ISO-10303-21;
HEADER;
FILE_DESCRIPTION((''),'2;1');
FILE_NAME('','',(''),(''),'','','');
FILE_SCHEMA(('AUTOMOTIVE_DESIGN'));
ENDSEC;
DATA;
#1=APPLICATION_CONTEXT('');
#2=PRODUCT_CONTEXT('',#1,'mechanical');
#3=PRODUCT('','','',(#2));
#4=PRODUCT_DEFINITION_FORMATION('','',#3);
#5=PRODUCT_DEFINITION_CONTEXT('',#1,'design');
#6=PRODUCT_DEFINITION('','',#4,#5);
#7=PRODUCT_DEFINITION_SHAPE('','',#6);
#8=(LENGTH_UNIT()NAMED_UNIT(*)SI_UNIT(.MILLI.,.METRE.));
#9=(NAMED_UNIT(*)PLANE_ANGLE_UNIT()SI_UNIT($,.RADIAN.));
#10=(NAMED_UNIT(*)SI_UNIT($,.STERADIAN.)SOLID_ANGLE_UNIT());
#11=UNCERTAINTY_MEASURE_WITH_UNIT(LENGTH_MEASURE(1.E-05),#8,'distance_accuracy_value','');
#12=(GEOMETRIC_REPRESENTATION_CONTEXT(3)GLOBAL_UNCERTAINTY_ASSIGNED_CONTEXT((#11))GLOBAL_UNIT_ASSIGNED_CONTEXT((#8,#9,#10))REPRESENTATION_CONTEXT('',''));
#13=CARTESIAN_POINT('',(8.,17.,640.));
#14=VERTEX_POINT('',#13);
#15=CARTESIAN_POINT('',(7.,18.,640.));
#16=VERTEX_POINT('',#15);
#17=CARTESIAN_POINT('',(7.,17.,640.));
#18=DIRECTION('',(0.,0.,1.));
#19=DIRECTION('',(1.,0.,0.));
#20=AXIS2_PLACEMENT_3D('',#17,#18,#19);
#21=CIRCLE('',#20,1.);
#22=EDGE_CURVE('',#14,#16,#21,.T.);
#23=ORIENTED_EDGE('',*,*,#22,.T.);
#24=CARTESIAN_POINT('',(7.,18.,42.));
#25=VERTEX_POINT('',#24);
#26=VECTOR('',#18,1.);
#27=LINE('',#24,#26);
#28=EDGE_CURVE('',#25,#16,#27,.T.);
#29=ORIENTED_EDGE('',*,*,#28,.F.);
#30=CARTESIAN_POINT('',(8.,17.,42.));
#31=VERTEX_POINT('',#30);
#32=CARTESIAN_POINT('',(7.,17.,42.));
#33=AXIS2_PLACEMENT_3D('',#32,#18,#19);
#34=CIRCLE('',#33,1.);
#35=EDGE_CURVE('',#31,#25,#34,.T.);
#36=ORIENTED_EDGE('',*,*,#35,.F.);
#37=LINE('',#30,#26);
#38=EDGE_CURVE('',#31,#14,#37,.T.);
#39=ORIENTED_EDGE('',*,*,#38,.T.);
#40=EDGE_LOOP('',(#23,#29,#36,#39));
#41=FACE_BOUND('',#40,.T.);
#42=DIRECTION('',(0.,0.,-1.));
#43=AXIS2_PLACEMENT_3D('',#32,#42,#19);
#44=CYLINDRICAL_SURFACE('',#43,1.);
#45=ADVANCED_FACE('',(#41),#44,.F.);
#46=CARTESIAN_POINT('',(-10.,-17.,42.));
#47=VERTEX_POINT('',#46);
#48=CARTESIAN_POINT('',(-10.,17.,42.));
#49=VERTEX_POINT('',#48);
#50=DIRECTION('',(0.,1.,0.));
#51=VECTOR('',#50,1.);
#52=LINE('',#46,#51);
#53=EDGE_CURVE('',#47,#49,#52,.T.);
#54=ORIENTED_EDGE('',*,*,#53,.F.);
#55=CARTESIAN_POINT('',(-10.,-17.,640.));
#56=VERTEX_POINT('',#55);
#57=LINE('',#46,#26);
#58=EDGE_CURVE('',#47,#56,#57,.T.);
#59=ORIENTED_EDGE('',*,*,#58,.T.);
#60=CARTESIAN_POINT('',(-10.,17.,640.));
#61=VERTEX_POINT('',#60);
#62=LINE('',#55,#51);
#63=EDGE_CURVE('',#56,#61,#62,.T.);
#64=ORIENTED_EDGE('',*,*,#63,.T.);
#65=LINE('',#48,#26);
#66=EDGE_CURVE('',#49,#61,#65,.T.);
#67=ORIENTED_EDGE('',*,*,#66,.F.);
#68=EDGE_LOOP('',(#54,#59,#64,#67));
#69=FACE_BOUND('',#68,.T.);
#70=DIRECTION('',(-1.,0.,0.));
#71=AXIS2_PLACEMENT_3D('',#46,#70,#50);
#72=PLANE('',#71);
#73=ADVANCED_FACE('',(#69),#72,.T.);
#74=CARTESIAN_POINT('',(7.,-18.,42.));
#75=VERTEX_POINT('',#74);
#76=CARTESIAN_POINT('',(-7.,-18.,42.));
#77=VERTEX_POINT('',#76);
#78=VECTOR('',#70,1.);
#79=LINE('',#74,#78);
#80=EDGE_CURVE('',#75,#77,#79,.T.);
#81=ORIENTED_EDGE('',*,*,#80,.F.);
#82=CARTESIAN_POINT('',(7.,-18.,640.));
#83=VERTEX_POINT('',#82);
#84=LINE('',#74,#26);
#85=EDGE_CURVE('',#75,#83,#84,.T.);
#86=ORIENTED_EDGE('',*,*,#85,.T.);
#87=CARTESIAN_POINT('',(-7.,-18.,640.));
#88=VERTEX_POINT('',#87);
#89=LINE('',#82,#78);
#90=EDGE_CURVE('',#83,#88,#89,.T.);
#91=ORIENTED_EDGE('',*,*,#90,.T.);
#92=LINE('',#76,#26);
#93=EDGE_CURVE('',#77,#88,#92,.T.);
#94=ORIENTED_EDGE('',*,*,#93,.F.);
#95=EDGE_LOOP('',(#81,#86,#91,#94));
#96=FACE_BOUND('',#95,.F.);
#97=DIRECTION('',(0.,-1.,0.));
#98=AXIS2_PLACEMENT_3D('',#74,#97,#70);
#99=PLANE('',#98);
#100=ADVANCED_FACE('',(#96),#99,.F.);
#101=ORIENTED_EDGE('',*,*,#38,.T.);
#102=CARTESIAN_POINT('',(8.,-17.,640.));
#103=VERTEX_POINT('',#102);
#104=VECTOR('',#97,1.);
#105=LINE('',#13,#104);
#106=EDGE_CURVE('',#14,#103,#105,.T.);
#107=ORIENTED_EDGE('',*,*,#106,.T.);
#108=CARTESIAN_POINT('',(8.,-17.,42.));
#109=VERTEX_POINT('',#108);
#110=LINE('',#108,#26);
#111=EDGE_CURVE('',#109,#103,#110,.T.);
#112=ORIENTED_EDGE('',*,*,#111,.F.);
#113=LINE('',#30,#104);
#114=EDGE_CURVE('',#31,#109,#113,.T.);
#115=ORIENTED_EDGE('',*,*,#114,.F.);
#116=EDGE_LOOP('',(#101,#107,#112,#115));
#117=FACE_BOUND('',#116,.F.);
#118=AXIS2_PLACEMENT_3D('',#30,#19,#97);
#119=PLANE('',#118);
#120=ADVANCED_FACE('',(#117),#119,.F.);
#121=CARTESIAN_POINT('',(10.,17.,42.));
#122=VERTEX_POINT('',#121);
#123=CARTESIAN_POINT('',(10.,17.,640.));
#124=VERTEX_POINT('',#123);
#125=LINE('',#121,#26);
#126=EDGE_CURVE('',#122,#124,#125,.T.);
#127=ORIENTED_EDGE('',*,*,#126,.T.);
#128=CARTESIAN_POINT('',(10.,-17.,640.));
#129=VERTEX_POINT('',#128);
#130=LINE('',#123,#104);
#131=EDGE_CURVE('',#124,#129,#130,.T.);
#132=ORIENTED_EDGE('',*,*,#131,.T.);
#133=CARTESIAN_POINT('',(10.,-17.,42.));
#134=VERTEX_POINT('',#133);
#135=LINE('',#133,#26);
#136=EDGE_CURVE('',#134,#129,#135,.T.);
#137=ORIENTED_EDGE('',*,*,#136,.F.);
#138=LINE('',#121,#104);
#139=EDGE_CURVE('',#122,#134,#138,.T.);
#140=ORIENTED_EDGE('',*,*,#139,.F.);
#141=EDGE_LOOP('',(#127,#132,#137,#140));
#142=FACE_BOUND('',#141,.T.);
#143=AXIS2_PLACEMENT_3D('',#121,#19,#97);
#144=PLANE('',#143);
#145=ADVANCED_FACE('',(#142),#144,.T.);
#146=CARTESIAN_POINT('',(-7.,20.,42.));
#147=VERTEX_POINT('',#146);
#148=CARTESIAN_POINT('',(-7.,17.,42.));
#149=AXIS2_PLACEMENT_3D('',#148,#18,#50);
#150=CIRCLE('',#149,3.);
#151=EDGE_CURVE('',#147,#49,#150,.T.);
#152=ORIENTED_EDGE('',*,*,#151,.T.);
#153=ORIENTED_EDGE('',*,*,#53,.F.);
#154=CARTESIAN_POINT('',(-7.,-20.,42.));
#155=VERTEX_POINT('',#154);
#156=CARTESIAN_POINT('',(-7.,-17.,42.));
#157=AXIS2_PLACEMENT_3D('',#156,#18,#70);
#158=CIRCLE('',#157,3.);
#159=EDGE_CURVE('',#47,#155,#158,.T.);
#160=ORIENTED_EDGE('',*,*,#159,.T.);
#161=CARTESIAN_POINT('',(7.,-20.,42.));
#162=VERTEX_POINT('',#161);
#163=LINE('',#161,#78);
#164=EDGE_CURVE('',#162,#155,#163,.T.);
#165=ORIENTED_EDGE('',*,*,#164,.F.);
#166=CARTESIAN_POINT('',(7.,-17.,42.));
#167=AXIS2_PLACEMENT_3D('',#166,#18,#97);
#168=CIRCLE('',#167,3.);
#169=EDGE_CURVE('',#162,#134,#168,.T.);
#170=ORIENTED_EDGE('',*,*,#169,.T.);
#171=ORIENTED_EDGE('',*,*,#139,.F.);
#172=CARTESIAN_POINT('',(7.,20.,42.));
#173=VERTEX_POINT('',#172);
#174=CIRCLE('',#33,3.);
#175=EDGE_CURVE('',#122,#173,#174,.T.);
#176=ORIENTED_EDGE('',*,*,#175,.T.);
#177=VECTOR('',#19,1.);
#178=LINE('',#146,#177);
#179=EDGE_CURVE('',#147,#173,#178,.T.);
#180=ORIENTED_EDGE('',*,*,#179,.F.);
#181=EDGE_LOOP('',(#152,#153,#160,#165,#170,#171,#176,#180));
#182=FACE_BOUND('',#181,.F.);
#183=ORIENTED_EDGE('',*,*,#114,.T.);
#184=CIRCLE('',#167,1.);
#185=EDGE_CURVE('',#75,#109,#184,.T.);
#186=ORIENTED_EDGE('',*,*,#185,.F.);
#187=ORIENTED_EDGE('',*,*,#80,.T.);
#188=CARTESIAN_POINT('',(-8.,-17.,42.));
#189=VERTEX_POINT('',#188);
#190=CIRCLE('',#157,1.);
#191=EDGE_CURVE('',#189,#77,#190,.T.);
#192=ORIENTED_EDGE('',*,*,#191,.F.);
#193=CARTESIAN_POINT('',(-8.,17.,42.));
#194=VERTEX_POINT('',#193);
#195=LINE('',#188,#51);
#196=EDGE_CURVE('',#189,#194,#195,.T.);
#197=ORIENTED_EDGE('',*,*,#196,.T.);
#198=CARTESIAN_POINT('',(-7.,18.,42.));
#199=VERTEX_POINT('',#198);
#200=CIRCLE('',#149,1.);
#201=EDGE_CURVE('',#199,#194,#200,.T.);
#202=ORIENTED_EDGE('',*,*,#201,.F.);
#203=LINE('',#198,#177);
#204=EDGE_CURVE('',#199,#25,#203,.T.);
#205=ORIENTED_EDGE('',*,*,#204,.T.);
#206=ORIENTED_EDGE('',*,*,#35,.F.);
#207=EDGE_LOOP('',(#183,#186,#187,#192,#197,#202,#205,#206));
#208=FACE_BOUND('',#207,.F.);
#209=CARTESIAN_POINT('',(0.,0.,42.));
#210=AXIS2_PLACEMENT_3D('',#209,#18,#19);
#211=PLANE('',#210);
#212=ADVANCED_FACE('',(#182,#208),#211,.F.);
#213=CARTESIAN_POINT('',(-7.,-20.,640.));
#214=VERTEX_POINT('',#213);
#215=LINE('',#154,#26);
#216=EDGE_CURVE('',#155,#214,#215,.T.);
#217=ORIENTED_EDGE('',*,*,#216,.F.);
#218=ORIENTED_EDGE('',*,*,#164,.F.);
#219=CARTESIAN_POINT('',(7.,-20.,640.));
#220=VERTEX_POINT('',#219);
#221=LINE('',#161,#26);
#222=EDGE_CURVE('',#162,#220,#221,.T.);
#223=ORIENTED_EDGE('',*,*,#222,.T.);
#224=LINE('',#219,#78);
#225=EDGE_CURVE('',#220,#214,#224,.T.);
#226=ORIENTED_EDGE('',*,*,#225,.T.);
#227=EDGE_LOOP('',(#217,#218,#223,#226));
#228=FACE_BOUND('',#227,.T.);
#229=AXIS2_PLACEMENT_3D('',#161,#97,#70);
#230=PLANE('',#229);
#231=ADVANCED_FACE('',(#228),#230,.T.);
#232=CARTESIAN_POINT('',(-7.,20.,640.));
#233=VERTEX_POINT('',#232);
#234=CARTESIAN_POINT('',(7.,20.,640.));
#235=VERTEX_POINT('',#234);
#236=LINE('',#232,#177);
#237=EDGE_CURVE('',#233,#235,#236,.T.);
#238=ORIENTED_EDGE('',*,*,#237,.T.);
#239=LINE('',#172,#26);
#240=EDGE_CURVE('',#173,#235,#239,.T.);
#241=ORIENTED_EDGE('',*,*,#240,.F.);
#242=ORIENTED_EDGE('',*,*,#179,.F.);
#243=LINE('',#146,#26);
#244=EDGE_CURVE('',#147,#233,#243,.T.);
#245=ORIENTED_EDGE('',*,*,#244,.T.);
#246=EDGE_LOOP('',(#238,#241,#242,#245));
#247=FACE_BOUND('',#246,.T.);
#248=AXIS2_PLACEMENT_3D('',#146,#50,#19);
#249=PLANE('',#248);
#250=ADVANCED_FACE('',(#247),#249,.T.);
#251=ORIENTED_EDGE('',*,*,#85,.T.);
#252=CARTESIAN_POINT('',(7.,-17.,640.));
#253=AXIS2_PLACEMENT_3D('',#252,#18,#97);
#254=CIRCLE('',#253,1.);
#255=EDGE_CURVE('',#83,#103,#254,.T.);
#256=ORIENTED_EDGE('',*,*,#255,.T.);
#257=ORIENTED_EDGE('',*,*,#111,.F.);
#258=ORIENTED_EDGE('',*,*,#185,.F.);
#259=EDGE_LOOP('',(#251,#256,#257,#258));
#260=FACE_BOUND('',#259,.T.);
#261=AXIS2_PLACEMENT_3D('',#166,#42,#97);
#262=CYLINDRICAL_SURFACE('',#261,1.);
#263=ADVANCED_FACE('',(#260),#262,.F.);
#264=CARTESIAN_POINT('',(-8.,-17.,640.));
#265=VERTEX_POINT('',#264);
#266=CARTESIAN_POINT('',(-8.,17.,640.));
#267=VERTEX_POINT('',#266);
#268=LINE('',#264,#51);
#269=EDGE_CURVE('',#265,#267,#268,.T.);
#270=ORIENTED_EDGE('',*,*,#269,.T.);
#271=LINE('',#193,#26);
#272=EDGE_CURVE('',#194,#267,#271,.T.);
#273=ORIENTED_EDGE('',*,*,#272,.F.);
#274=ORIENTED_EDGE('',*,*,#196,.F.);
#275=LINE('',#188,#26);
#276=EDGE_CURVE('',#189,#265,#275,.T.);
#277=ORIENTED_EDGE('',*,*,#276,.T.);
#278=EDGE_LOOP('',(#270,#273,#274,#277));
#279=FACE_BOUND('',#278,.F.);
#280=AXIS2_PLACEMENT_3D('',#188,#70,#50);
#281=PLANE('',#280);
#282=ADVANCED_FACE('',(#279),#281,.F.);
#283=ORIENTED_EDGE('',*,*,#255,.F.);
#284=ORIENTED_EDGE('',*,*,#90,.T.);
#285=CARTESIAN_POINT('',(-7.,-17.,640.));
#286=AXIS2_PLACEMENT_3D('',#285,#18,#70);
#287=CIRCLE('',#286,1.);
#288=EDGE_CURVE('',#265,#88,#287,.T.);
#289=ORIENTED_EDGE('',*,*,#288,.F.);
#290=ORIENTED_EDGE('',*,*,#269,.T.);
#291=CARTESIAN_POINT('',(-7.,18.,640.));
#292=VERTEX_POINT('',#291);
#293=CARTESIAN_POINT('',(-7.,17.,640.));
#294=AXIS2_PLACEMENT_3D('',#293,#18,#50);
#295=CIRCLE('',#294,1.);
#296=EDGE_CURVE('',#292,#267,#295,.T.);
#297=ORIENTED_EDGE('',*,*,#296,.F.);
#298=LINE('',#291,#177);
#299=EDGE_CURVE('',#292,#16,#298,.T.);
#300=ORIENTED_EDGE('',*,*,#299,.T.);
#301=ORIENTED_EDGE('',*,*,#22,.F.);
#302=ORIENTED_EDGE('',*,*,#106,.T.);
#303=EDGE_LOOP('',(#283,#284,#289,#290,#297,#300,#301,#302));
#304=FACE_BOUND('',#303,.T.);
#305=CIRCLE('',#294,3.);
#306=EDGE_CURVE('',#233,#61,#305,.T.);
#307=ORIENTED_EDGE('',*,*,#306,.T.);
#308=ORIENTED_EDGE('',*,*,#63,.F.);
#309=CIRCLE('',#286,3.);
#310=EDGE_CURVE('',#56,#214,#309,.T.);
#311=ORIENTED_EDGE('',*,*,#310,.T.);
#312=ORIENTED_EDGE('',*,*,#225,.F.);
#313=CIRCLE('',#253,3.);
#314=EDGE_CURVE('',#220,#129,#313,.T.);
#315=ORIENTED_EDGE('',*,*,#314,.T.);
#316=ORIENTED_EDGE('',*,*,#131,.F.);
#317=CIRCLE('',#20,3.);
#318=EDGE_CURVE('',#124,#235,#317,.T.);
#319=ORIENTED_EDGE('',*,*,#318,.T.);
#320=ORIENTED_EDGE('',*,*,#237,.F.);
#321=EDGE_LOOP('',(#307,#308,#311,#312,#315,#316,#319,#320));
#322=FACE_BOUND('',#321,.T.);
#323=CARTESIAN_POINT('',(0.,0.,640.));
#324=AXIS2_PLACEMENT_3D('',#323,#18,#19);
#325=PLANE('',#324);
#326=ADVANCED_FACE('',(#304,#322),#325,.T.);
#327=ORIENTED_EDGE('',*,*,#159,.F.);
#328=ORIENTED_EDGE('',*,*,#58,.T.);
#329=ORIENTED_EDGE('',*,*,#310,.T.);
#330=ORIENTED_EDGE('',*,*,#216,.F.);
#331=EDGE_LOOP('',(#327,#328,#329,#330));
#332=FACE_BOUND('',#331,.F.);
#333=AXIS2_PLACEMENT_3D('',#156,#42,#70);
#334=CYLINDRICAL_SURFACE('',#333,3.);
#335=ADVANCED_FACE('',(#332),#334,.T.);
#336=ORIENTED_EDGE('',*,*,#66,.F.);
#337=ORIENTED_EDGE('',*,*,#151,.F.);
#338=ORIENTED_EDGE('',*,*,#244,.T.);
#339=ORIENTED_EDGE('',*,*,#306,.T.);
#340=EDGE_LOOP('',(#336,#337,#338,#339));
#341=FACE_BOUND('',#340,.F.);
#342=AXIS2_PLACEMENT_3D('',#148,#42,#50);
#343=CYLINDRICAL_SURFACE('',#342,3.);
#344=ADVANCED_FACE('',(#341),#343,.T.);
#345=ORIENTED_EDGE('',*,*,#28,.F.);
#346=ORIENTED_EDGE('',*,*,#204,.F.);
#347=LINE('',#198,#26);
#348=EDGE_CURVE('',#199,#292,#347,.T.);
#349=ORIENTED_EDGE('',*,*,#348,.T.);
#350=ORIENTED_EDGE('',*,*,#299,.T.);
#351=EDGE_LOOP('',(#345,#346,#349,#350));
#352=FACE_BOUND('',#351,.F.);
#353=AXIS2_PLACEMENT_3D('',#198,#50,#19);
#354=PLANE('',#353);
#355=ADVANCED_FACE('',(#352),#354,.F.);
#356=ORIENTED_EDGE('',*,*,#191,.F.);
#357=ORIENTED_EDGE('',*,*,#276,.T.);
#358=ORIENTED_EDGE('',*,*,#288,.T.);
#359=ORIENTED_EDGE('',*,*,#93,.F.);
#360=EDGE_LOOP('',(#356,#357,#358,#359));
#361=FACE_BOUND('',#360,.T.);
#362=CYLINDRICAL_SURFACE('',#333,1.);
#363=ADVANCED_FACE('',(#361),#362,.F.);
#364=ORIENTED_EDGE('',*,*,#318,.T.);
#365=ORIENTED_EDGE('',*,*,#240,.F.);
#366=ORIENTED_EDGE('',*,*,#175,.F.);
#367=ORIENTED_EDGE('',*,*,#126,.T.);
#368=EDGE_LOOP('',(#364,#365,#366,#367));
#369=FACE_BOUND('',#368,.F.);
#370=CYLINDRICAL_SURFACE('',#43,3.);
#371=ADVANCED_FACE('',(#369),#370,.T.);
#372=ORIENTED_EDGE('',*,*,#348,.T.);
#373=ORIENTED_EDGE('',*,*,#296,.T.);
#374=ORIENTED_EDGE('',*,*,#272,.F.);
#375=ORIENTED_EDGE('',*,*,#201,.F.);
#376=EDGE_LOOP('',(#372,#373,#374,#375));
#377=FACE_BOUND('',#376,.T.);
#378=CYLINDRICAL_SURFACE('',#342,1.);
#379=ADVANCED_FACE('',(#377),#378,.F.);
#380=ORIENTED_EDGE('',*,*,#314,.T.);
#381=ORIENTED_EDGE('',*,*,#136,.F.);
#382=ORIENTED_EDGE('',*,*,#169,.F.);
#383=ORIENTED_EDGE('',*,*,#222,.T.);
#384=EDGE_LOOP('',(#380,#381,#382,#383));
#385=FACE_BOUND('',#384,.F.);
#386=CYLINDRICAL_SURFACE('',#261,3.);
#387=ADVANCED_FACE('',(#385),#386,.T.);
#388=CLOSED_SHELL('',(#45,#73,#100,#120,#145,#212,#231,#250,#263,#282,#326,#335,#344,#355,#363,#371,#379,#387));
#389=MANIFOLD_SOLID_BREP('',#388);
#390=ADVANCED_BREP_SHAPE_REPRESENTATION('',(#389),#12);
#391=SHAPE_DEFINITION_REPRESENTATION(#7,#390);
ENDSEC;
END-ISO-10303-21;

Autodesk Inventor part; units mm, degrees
ref_plane "Start plane" through (0, 0, 42) normal (0, 0, 1) x (1, 0, 0)
ref_plane "End plane" through (0, 0, 640) normal (0, 0, 1) x (1, 0, 0)
sketch "Sketch" plane through (0, 0, 0) normal (0, 0, 1) x (1, 0, 0)
  line L0 (-10, -17) -> (-10, 17)
  line L1 (-7, 20) -> (7, 20)
  line L2 (10, 17) -> (10, -17)
  line L3 (7, -20) -> (-7, -20)
  arc A0 (-10, -17) -> (-7, -20) centre (-7, -17) ccw
  arc A1 (-7, 20) -> (-10, 17) centre (-7, 17) ccw
  arc A2 (10, 17) -> (7, 20) centre (7, 17) ccw
  arc A3 (7, -20) -> (10, -17) centre (7, -17) ccw
  arc A4 (-7, 18) -> (-8, 17) centre (-7, 17) ccw
  line L4 (-7, 18) -> (7, 18)
  arc A5 (8, 17) -> (7, 18) centre (7, 17) ccw
  line L5 (8, 17) -> (8, -17)
  arc A6 (7, -18) -> (8, -17) centre (7, -17) ccw
  line L6 (7, -18) -> (-7, -18)
  arc A7 (-8, -17) -> (-7, -18) centre (-7, -17) ccw
  line L7 (-8, -17) -> (-8, 17)
  line L8 (0, 28.8698) -> (0, -28.8698) construction
  line L9 (-14.8698, 0) -> (14.8698, 0) construction
  dimension "d7" = 3
  dimension "d10" = 40
  dimension "d11" = 20
  dimension "d12" = 2
  dimension "d15" = 20
  dimension "d16" = 10
extrude "Body" add sketch "Sketch" along normal up to surface (598 mm away) from surface at 42
sketch "Sketch3" plane through (0, 0, 0) normal (0, 0, 1) x (1, 0, 0)
  line L0 (0, 0) -> (10, 0)
ref_plane "Work Plane3" through (0, 0, 0) normal (0, -1, 0) x (1, 0, 0)
sketch "Sketch4" plane through (0, 0, 0) normal (0, -1, 0) x (1, 0, 0)
  line L0 (-2, 42) -> (12, 42)
  line L1 (-2, 640) -> (12, 640)
  dimension "d18" = 598
ref_plane "Work Plane4" through (-1510, -17, 42) normal (0, 0, -1) x (-1, 0, 0)
split "Split1" plane through (-1510, -17, 42) removes the side toward (0, 0, -1)
equation "\"d7\" = G_IR"
equation "\"d10\" = G_H"
equation "\"d11\" = G_W"
equation "\"d12\" = G_T"
equation "\"d15\" = 0.5 * d10"
equation "\"d16\" = 0.5 * d11"
equation "\"d3\" = G_L"
equation "\"G_W\" = 20"
equation "\"G_H\" = 40"
equation "\"G_T\" = 2"
equation "\"G_IR\" = 3"
equation "\"G_L\" = d18"
equation "\"G_OFFSET_START\" = -42"
equation "\"G_OFFSET_END\" = 0"
equation "\"d13\" = -G_OFFSET_START"
equation "\"d14\" = G_OFFSET_END + B_L"
equation "\"B_L\" = 640"
properties part number "UNI EN 10305-5 - 40 x 20 x 2  - 598" material "Steel, Mild"
